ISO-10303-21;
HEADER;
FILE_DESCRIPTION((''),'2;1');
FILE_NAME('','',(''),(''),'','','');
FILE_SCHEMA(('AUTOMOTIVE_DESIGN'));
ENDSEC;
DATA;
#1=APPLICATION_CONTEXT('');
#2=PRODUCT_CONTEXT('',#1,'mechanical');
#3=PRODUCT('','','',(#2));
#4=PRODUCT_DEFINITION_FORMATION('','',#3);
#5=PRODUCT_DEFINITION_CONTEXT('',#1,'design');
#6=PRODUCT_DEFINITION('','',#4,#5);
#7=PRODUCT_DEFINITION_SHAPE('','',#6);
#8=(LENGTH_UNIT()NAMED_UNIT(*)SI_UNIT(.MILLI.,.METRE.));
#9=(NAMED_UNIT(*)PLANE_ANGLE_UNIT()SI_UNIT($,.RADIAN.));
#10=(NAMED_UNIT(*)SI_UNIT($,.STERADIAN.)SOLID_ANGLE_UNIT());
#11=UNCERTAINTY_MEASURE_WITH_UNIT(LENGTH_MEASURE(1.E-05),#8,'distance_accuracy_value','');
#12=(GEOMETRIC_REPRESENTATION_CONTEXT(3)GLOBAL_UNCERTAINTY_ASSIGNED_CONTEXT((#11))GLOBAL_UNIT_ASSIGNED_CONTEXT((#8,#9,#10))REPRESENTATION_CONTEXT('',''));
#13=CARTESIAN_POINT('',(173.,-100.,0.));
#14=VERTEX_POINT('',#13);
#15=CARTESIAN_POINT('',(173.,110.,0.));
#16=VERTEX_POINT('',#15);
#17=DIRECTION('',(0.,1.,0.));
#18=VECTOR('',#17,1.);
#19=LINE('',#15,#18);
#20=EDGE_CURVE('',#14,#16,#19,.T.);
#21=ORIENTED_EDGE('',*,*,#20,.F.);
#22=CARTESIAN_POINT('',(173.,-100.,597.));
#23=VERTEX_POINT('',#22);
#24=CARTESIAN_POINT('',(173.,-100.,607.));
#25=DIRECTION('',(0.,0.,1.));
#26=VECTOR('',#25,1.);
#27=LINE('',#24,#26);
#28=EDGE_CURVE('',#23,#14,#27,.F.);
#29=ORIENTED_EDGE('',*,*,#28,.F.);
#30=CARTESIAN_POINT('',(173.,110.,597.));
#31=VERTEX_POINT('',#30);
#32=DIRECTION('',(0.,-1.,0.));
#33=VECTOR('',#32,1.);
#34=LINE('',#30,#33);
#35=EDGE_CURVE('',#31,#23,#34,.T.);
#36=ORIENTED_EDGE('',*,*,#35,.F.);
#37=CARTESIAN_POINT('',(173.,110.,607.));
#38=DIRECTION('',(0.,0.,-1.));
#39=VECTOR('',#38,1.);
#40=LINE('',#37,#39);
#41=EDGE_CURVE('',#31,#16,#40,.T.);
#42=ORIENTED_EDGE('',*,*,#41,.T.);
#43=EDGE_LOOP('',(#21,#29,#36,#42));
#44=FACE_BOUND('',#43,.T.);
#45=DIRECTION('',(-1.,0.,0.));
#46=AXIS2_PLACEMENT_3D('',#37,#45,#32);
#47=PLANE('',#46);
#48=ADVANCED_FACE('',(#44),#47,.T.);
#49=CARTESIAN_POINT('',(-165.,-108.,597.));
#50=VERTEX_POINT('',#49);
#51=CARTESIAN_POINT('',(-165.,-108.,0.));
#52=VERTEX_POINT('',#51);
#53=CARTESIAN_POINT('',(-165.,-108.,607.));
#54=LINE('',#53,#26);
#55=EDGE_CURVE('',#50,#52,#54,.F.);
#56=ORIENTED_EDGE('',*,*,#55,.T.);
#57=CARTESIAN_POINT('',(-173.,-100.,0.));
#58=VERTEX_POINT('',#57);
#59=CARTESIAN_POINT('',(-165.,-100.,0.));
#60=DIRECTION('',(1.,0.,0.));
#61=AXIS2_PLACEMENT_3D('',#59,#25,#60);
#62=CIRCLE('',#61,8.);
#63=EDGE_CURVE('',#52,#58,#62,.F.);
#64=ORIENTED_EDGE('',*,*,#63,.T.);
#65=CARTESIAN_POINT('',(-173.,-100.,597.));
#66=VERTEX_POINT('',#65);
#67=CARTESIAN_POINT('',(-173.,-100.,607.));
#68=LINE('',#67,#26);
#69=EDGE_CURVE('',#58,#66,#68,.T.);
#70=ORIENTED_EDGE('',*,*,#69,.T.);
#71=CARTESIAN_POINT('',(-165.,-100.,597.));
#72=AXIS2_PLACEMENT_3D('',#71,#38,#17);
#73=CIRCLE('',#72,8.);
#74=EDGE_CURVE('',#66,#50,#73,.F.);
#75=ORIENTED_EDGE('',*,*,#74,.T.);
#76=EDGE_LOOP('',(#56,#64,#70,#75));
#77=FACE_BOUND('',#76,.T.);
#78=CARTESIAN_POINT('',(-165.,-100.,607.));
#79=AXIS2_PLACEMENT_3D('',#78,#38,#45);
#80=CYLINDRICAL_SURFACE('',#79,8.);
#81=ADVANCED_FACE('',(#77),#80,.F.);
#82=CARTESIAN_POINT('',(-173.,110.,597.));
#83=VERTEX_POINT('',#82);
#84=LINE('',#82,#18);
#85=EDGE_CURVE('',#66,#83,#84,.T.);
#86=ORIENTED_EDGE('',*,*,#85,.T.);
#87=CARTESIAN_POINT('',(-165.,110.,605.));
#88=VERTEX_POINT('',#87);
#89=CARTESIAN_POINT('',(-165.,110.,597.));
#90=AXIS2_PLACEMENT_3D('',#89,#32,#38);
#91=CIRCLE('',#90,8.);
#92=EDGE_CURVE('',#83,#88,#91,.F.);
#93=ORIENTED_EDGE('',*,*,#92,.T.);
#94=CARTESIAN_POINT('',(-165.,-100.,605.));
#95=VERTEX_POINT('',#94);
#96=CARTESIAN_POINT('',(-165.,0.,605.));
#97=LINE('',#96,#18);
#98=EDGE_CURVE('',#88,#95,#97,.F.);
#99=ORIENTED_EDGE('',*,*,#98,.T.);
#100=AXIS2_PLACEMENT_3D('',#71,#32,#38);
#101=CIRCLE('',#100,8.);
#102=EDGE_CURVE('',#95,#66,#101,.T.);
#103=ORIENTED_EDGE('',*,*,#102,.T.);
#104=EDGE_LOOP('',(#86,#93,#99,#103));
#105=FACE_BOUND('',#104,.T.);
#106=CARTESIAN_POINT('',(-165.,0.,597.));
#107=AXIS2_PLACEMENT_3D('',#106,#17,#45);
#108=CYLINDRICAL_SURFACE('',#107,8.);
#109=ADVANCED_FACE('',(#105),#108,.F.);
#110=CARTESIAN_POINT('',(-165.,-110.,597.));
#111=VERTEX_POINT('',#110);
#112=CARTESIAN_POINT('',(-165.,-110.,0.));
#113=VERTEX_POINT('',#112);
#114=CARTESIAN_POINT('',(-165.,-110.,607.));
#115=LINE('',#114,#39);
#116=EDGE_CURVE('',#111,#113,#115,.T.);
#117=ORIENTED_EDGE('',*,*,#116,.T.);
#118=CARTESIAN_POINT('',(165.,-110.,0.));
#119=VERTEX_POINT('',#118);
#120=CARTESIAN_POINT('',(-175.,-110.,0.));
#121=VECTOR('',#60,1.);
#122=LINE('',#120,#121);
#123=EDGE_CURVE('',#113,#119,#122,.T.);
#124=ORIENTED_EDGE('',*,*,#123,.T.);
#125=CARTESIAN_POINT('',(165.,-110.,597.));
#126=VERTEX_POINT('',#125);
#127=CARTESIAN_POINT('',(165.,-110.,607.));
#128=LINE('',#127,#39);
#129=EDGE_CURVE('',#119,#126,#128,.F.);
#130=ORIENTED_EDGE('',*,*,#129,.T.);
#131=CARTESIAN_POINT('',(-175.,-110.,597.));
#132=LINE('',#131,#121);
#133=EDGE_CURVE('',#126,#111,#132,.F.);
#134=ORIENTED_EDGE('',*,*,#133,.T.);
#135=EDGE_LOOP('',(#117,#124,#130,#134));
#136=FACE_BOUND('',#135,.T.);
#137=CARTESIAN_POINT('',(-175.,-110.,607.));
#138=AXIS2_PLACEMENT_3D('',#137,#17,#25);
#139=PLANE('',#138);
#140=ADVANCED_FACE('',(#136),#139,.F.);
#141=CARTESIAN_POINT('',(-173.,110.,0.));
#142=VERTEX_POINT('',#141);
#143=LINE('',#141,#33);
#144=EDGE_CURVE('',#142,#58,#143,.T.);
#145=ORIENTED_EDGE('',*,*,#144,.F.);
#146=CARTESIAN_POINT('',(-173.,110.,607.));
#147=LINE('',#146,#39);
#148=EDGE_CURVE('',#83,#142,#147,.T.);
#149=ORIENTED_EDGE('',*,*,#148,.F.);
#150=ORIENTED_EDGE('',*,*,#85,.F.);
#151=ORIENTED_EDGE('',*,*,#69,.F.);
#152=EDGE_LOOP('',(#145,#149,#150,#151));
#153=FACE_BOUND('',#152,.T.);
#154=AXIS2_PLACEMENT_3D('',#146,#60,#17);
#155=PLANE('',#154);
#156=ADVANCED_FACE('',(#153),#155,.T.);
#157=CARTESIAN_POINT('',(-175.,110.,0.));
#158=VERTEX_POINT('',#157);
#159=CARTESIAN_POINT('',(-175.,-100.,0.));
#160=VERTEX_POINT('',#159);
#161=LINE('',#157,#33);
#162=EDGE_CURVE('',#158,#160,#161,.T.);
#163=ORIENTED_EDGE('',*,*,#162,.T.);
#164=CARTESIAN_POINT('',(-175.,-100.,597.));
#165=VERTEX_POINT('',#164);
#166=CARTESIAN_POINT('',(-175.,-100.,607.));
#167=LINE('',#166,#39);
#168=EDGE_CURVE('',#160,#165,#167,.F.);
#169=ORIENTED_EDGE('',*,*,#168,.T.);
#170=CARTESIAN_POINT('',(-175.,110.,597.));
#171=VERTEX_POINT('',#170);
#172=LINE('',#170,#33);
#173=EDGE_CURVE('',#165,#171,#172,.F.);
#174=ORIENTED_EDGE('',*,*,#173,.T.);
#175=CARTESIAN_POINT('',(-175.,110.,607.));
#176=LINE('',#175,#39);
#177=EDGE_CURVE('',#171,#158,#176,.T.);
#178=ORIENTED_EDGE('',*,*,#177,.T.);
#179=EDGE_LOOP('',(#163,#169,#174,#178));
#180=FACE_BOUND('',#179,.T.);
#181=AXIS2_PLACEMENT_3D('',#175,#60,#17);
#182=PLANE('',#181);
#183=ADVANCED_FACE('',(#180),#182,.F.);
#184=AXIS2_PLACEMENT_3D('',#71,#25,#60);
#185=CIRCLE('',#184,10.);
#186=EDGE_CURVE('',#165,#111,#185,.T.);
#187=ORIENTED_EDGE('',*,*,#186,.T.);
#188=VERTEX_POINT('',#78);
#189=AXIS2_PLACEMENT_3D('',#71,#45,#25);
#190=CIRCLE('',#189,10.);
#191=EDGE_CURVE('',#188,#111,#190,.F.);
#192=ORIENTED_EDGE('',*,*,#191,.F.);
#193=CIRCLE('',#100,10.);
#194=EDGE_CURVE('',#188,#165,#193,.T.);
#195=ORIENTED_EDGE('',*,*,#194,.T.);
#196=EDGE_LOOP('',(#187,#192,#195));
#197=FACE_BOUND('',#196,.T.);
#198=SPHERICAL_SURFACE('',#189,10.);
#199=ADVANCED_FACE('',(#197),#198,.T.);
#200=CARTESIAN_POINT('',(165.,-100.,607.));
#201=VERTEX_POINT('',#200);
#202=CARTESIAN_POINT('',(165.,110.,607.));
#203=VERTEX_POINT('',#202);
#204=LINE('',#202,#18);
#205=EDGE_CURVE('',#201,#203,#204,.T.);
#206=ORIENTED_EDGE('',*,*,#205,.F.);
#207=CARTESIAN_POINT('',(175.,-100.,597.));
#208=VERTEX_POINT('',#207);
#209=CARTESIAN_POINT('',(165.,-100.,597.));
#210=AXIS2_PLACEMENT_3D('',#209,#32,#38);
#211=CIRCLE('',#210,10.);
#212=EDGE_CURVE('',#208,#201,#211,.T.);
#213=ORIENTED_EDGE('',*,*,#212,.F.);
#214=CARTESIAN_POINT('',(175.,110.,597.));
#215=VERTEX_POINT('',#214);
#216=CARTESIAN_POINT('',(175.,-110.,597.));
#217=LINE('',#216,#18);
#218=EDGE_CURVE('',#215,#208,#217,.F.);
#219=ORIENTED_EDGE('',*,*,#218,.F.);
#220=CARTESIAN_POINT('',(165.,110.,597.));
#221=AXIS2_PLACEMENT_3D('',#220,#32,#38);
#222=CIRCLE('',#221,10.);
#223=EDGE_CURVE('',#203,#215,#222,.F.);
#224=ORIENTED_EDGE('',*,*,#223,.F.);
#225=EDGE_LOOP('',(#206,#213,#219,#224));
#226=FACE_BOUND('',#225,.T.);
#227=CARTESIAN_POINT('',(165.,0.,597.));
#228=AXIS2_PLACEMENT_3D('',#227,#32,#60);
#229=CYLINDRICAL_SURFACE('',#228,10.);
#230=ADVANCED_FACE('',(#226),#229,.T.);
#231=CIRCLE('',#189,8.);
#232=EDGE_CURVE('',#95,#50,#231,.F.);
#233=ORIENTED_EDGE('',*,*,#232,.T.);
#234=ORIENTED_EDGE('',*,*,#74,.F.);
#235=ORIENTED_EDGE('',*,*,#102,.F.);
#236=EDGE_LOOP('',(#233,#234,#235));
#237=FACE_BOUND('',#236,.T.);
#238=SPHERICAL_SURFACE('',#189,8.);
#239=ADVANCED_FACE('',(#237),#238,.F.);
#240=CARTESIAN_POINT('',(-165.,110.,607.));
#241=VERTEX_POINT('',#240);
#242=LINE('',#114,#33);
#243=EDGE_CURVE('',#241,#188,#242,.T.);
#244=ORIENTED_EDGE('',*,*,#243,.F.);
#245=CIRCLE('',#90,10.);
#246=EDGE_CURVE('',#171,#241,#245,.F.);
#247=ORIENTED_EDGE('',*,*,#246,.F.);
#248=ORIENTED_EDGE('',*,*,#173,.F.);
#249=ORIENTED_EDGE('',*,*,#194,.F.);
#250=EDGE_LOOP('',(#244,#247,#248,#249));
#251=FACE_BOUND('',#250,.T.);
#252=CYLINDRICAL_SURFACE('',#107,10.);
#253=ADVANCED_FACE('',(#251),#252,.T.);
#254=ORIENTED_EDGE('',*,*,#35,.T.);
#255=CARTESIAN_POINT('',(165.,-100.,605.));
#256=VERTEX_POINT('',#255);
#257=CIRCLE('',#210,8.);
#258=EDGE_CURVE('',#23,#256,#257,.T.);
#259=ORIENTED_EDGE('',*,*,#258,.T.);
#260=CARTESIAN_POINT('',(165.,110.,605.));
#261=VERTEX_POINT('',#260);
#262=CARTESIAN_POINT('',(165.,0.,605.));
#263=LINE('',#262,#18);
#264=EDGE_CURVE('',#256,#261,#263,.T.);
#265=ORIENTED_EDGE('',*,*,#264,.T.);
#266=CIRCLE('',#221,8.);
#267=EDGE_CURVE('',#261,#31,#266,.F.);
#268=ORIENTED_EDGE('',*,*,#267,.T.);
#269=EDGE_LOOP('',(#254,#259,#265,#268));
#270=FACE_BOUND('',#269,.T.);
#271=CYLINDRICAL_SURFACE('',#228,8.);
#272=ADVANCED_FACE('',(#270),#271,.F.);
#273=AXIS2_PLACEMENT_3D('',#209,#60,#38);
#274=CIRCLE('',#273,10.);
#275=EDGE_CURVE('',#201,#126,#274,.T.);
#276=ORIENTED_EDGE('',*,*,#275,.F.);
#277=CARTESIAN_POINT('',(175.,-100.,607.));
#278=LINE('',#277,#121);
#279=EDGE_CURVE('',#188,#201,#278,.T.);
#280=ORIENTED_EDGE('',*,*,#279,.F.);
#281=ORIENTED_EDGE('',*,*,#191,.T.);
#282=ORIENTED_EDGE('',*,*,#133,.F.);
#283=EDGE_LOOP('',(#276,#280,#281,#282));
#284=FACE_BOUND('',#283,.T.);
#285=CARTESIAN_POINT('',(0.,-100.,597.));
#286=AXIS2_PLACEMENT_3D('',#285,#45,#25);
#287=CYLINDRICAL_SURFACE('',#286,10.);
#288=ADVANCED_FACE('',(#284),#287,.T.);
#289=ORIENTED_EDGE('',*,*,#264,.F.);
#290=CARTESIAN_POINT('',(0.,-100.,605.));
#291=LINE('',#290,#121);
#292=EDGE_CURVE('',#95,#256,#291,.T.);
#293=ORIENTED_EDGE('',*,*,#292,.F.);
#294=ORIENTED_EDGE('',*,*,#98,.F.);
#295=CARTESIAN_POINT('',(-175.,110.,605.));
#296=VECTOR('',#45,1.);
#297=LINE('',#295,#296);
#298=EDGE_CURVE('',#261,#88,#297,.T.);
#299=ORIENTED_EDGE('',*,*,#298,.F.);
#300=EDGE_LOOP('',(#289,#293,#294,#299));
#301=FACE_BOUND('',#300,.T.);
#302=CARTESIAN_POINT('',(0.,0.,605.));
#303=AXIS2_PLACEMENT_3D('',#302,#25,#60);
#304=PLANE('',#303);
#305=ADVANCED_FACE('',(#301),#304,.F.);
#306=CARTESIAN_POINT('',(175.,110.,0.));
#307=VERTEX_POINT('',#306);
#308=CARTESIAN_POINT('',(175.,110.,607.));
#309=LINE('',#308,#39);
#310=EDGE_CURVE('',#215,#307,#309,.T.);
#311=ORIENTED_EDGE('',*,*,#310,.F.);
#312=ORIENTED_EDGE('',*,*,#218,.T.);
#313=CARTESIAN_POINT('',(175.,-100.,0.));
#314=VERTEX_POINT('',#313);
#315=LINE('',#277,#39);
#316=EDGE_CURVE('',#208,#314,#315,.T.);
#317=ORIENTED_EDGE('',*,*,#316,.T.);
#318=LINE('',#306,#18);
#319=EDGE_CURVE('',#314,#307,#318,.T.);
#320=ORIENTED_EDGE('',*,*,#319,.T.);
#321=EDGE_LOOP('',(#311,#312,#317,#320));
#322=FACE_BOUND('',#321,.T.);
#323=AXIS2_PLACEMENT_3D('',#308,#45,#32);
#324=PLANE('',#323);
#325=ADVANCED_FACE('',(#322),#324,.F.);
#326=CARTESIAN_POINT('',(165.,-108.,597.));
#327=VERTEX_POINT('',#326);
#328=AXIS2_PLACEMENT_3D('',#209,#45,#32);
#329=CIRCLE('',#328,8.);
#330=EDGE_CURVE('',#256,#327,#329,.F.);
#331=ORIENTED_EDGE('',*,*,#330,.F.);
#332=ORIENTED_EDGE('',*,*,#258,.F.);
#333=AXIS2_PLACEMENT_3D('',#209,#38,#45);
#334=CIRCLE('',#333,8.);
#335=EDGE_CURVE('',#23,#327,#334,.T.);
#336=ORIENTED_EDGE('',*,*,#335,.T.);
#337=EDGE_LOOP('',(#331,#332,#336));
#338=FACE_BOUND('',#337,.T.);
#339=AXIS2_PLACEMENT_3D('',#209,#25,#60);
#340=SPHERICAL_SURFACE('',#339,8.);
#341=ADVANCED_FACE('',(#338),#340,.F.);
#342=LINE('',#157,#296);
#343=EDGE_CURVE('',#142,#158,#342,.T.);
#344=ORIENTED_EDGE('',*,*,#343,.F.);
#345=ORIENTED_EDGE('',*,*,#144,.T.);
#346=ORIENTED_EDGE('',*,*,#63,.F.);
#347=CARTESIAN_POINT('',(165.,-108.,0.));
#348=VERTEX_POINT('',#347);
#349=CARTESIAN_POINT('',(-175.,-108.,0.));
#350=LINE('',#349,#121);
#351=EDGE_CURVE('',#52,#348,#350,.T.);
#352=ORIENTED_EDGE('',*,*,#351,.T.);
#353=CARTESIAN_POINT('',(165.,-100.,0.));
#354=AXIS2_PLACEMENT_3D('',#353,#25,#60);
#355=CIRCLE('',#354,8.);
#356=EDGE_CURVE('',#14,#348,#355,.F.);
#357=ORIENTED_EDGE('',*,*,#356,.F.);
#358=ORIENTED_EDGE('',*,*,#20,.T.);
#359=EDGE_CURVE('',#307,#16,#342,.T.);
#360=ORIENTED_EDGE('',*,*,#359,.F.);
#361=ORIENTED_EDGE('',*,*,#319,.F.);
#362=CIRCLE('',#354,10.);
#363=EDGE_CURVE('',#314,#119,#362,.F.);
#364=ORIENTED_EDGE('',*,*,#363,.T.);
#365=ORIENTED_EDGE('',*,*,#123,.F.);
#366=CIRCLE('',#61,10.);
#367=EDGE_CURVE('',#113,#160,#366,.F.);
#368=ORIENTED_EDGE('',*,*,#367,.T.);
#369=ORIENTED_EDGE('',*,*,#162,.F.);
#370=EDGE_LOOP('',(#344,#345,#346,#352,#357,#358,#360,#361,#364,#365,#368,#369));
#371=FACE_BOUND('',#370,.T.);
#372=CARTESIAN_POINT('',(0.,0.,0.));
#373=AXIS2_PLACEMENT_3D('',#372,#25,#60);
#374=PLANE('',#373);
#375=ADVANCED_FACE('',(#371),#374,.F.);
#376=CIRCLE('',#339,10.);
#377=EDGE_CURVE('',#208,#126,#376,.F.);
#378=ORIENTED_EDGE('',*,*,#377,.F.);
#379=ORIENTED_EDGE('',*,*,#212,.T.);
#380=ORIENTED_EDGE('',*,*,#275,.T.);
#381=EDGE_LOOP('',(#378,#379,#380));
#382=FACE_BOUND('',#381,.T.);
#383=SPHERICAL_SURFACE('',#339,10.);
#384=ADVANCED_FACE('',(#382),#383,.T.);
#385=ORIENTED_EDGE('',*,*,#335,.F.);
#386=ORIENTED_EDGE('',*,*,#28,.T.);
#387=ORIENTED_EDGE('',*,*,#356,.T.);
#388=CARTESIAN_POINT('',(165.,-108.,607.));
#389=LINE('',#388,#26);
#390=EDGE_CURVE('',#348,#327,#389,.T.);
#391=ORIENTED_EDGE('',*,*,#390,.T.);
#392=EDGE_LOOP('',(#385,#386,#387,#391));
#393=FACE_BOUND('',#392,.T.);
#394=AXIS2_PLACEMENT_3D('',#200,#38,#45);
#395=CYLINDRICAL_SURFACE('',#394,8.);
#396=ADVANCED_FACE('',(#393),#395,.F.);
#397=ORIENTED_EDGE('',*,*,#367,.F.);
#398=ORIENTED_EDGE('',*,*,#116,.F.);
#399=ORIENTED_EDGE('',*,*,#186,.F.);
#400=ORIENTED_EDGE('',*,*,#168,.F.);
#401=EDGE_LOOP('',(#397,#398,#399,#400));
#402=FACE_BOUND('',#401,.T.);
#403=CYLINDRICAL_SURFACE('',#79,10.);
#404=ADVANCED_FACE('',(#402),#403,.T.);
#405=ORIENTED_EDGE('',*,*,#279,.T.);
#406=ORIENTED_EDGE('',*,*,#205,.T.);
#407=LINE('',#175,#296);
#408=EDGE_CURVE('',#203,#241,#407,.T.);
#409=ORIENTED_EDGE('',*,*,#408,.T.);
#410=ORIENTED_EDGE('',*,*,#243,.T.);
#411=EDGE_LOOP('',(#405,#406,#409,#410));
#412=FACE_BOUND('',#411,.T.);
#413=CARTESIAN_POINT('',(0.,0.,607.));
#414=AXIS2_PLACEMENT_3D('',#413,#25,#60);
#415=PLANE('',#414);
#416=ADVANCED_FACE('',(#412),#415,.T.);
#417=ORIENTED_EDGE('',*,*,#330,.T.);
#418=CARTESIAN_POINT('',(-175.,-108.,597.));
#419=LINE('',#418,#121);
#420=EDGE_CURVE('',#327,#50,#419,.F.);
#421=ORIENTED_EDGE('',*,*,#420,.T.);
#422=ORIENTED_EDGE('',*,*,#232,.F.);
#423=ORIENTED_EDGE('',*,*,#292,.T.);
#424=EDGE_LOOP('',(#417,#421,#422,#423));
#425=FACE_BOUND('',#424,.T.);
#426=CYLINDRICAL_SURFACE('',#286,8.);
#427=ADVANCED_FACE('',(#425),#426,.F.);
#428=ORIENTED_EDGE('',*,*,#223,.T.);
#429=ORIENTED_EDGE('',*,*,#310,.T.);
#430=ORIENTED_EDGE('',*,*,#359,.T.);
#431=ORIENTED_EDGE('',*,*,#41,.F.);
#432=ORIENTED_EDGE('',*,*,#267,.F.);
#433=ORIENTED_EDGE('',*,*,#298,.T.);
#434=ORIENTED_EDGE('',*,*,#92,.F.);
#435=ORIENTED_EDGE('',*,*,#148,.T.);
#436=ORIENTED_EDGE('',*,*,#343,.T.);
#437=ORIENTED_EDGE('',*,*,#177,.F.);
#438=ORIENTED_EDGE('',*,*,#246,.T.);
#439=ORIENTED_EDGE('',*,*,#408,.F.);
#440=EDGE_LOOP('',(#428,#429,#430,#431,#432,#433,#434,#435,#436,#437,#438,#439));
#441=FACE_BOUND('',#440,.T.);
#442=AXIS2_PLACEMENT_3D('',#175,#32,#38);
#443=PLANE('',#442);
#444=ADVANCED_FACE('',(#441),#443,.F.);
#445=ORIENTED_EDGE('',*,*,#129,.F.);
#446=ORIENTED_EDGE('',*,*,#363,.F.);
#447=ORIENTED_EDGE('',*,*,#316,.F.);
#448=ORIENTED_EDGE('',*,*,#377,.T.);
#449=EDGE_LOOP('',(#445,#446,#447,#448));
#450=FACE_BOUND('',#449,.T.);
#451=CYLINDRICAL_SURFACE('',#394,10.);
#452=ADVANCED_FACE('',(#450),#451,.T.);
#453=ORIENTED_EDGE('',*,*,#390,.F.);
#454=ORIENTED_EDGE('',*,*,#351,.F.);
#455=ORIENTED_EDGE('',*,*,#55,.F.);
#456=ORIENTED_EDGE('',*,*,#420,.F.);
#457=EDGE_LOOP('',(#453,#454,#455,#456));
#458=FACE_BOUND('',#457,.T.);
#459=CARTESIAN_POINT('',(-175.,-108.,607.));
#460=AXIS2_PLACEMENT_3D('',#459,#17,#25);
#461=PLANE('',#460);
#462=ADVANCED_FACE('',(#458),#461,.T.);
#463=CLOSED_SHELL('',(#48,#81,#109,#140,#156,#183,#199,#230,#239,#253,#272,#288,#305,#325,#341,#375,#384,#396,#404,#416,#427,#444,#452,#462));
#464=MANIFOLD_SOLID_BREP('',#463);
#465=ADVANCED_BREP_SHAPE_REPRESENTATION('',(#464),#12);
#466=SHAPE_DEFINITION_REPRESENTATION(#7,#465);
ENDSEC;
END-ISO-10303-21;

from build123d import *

# Parameters (mm, degrees)
SKETCH_1_W      = 350
SKETCH_1_H      = 220
EXTRUDE_1_DEPTH = 607
FILLET_1_R      = 10
SHELL_1_T       = -2


with BuildPart() as part:
    # 草图1 → 凸台-拉伸1 (new body)
    with BuildSketch(Plane.XY):
        Rectangle(SKETCH_1_W, SKETCH_1_H)
    extrude(amount=EXTRUDE_1_DEPTH)

    # 圆角1
    fillet_1_edges = [part.edges().sort_by_distance(p)[0] for p in [
        (-175, 0, 607),
        (0, -110, 607),
        (175, 0, 607),
        (175, -110, 303.5),
        (-175, -110, 303.5),
    ]]
    fillet(fillet_1_edges, radius=FILLET_1_R)

    # 抽壳1
    shell_1_openings = [part.faces().sort_by_distance(p)[0] for p in [
        (0, 0.060103243, 0),
        (0, 110, 303.439124152),
    ]]
    offset(amount=SHELL_1_T, openings=shell_1_openings, kind=Kind.INTERSECTION)


solid = part.part
